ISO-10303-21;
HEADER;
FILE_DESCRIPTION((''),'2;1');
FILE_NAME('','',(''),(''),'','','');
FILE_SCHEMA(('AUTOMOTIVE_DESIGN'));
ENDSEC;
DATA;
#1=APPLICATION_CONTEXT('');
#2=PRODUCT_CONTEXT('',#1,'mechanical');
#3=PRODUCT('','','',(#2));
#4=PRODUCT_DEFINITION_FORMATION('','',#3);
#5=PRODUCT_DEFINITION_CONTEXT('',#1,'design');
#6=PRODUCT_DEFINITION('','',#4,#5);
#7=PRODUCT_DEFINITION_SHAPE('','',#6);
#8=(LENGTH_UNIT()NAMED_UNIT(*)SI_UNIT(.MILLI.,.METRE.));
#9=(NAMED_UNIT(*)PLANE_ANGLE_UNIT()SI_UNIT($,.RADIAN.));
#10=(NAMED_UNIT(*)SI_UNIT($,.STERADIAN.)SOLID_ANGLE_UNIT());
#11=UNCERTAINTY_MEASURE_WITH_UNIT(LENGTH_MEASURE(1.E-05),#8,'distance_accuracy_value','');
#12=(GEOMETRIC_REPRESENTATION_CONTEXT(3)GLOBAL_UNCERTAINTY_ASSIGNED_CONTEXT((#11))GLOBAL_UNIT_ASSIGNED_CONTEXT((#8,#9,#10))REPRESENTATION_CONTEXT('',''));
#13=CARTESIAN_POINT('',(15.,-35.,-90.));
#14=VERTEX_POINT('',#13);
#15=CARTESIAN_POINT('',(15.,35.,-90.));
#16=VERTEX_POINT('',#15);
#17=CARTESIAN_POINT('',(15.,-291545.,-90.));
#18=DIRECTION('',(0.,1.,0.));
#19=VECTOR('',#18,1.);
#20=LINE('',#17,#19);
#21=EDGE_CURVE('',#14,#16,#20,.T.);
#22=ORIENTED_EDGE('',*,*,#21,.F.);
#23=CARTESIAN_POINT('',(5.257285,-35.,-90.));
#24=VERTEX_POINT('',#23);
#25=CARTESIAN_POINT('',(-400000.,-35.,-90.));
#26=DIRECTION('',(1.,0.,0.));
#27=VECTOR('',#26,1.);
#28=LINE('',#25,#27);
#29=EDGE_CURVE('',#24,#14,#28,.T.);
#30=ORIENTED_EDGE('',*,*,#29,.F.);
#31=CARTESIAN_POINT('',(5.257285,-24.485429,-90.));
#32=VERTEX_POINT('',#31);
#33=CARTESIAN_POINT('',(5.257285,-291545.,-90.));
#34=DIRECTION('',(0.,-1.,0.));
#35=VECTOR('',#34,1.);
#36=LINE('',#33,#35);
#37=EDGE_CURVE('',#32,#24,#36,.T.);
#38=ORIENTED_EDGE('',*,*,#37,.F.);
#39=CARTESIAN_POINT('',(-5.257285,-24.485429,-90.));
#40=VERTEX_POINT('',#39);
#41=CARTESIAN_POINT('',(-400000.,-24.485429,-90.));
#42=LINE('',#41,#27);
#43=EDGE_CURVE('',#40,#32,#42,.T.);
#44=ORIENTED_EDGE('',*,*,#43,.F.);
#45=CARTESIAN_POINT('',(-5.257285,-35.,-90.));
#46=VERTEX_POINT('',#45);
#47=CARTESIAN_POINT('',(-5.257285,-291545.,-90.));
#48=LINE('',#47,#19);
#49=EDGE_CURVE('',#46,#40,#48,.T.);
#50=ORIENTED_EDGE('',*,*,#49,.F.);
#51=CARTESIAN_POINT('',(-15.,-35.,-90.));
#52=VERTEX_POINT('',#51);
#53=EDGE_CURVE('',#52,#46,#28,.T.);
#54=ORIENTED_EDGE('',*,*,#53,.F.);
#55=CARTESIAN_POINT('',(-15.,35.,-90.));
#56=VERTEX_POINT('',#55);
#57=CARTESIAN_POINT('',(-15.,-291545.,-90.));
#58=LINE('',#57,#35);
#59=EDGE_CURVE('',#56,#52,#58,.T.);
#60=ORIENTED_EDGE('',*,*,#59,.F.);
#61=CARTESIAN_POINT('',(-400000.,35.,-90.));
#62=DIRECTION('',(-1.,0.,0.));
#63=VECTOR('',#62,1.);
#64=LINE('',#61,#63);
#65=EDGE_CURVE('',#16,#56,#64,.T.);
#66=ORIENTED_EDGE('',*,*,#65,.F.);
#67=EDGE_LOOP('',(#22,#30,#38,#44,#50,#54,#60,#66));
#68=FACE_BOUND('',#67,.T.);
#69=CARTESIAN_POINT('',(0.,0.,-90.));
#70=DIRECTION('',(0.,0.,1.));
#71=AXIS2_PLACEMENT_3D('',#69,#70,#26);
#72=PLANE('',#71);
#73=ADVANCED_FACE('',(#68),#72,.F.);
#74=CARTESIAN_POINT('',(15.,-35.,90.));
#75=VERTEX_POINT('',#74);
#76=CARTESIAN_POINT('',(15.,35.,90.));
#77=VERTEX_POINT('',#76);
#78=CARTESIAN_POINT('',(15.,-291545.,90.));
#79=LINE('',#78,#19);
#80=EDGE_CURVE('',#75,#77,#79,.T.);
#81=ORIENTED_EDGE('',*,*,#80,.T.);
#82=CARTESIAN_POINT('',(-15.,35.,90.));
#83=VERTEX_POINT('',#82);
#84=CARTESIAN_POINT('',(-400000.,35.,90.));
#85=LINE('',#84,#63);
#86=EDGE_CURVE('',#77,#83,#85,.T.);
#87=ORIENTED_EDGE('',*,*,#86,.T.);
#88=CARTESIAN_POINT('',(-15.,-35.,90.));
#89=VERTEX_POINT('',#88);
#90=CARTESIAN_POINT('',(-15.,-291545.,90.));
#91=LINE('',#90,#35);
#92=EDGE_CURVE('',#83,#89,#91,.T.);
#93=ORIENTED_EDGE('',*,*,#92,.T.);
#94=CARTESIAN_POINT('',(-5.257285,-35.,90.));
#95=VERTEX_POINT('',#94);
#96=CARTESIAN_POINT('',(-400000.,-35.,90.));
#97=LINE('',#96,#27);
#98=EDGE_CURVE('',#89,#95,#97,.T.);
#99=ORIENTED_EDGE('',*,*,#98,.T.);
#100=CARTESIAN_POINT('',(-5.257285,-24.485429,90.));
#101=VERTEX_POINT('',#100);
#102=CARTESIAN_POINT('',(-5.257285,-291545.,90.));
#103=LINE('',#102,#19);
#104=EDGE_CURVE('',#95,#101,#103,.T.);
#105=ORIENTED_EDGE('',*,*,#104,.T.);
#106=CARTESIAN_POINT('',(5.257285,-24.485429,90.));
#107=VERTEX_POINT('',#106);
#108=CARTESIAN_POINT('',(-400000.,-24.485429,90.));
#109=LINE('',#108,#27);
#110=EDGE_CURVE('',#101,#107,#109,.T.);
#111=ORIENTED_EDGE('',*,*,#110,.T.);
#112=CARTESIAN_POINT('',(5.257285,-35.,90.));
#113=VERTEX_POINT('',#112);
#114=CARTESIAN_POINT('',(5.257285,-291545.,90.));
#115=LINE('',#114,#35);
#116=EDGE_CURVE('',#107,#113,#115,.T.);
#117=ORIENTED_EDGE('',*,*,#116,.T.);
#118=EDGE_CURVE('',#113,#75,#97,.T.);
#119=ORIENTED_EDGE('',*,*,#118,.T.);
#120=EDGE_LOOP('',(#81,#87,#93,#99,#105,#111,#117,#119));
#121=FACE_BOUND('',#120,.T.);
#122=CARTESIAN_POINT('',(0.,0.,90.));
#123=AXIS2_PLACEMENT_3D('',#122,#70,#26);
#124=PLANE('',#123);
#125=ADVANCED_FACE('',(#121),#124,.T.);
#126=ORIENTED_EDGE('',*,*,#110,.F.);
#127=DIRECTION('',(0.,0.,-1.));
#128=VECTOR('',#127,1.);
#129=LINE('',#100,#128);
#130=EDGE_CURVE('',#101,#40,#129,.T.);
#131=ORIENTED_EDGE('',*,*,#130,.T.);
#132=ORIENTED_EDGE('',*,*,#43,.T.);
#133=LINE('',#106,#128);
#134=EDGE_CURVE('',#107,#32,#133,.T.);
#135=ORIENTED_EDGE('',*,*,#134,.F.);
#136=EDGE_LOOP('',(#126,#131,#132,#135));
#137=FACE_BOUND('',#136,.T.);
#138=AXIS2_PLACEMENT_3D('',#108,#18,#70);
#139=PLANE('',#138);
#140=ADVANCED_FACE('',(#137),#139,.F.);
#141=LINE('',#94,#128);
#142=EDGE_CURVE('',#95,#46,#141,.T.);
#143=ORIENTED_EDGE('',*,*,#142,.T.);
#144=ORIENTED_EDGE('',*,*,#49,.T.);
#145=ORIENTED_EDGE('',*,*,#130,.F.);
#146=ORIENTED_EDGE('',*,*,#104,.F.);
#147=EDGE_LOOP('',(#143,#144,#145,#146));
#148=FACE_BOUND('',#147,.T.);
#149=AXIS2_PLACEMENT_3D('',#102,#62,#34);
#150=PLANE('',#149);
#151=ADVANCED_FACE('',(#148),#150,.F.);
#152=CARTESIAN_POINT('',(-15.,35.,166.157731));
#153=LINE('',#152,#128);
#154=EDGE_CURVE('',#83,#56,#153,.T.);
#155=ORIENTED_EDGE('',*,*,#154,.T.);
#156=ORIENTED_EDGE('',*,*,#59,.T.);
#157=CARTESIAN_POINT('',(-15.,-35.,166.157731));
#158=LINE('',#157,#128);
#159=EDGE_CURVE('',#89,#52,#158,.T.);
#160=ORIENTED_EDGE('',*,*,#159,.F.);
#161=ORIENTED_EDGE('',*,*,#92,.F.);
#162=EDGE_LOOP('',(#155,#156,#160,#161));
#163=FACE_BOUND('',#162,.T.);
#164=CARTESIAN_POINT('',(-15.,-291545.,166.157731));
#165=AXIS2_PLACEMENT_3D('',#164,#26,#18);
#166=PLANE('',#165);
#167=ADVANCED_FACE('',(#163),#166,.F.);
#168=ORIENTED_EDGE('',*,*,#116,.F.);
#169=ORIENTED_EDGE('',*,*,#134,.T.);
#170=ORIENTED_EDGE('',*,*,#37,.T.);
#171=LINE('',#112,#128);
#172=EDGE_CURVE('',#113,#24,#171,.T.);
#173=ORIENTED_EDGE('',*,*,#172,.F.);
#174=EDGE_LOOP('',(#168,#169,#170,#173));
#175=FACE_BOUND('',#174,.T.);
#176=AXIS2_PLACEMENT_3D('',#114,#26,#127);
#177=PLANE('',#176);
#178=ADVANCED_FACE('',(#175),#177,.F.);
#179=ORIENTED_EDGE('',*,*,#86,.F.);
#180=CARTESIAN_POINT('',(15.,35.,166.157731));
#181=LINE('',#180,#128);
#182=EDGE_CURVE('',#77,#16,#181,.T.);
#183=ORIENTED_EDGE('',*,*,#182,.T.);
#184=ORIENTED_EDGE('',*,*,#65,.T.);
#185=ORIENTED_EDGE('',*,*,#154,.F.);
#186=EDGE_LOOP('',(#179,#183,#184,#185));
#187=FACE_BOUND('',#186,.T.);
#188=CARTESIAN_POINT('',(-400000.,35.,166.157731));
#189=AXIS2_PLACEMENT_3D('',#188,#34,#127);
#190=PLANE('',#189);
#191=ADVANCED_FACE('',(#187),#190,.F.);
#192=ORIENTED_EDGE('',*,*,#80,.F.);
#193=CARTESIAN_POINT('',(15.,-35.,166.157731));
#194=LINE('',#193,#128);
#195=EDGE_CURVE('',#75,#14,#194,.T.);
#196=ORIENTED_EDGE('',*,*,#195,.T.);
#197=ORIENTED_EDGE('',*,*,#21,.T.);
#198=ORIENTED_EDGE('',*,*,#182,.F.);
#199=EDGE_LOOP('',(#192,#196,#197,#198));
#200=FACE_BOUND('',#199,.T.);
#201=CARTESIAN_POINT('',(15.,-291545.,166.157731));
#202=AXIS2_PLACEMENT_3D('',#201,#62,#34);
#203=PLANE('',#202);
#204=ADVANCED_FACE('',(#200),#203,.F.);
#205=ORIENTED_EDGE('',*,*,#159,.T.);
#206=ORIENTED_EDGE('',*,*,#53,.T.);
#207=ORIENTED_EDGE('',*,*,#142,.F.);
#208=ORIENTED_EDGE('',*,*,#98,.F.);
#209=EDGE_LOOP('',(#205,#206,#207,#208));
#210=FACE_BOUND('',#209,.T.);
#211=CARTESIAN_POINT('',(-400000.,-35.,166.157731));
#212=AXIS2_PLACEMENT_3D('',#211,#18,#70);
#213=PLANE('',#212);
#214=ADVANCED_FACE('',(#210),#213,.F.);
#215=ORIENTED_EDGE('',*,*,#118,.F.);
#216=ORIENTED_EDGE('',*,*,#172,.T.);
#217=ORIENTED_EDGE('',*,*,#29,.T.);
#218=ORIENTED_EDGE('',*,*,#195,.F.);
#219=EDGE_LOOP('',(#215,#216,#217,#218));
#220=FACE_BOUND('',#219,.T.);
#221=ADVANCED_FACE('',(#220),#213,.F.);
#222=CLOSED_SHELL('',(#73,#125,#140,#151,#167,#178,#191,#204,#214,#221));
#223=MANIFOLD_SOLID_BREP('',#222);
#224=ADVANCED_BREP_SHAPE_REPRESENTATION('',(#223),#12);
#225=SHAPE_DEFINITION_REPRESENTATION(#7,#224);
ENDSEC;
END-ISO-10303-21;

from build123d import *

# Parameters (mm, degrees)
MAINBODY_EXTRUDE_START = -90
PROJECTIONXY_SKETCH_W  = 30
PROJECTIONXY_SKETCH_H  = 70
MAINBODY_EXTRUDE_DEPTH = 180
TROUGH_CUT_DEPTH       = 98.724101428
TROUGH_CUT_DEPTH_BACK  = 98.724101428
TROUGH_SKETCH_W        = 10.514570696
TROUGH_SKETCH_H        = 10.514570696


with BuildPart() as part:
    # projectionXy_sketch → mainBody_extrude (new body)
    with BuildSketch(Plane.XY.offset(MAINBODY_EXTRUDE_START)):
        Rectangle(PROJECTIONXY_SKETCH_W, PROJECTIONXY_SKETCH_H)
    extrude(amount=MAINBODY_EXTRUDE_DEPTH)

    # trough_sketch → trough_cut (cut, two sides: drawn at the far end of the back side and taken through both)
    with BuildSketch(Plane(origin=(0, 0, 0), x_dir=(1, 0, 0), z_dir=(0, 0, -1)).offset(-TROUGH_CUT_DEPTH_BACK)):
        with Locations((0, 29.742714652)):
            Rectangle(TROUGH_SKETCH_W, TROUGH_SKETCH_H)
    extrude(amount=TROUGH_CUT_DEPTH + TROUGH_CUT_DEPTH_BACK, mode=Mode.SUBTRACT)


solid = part.part
